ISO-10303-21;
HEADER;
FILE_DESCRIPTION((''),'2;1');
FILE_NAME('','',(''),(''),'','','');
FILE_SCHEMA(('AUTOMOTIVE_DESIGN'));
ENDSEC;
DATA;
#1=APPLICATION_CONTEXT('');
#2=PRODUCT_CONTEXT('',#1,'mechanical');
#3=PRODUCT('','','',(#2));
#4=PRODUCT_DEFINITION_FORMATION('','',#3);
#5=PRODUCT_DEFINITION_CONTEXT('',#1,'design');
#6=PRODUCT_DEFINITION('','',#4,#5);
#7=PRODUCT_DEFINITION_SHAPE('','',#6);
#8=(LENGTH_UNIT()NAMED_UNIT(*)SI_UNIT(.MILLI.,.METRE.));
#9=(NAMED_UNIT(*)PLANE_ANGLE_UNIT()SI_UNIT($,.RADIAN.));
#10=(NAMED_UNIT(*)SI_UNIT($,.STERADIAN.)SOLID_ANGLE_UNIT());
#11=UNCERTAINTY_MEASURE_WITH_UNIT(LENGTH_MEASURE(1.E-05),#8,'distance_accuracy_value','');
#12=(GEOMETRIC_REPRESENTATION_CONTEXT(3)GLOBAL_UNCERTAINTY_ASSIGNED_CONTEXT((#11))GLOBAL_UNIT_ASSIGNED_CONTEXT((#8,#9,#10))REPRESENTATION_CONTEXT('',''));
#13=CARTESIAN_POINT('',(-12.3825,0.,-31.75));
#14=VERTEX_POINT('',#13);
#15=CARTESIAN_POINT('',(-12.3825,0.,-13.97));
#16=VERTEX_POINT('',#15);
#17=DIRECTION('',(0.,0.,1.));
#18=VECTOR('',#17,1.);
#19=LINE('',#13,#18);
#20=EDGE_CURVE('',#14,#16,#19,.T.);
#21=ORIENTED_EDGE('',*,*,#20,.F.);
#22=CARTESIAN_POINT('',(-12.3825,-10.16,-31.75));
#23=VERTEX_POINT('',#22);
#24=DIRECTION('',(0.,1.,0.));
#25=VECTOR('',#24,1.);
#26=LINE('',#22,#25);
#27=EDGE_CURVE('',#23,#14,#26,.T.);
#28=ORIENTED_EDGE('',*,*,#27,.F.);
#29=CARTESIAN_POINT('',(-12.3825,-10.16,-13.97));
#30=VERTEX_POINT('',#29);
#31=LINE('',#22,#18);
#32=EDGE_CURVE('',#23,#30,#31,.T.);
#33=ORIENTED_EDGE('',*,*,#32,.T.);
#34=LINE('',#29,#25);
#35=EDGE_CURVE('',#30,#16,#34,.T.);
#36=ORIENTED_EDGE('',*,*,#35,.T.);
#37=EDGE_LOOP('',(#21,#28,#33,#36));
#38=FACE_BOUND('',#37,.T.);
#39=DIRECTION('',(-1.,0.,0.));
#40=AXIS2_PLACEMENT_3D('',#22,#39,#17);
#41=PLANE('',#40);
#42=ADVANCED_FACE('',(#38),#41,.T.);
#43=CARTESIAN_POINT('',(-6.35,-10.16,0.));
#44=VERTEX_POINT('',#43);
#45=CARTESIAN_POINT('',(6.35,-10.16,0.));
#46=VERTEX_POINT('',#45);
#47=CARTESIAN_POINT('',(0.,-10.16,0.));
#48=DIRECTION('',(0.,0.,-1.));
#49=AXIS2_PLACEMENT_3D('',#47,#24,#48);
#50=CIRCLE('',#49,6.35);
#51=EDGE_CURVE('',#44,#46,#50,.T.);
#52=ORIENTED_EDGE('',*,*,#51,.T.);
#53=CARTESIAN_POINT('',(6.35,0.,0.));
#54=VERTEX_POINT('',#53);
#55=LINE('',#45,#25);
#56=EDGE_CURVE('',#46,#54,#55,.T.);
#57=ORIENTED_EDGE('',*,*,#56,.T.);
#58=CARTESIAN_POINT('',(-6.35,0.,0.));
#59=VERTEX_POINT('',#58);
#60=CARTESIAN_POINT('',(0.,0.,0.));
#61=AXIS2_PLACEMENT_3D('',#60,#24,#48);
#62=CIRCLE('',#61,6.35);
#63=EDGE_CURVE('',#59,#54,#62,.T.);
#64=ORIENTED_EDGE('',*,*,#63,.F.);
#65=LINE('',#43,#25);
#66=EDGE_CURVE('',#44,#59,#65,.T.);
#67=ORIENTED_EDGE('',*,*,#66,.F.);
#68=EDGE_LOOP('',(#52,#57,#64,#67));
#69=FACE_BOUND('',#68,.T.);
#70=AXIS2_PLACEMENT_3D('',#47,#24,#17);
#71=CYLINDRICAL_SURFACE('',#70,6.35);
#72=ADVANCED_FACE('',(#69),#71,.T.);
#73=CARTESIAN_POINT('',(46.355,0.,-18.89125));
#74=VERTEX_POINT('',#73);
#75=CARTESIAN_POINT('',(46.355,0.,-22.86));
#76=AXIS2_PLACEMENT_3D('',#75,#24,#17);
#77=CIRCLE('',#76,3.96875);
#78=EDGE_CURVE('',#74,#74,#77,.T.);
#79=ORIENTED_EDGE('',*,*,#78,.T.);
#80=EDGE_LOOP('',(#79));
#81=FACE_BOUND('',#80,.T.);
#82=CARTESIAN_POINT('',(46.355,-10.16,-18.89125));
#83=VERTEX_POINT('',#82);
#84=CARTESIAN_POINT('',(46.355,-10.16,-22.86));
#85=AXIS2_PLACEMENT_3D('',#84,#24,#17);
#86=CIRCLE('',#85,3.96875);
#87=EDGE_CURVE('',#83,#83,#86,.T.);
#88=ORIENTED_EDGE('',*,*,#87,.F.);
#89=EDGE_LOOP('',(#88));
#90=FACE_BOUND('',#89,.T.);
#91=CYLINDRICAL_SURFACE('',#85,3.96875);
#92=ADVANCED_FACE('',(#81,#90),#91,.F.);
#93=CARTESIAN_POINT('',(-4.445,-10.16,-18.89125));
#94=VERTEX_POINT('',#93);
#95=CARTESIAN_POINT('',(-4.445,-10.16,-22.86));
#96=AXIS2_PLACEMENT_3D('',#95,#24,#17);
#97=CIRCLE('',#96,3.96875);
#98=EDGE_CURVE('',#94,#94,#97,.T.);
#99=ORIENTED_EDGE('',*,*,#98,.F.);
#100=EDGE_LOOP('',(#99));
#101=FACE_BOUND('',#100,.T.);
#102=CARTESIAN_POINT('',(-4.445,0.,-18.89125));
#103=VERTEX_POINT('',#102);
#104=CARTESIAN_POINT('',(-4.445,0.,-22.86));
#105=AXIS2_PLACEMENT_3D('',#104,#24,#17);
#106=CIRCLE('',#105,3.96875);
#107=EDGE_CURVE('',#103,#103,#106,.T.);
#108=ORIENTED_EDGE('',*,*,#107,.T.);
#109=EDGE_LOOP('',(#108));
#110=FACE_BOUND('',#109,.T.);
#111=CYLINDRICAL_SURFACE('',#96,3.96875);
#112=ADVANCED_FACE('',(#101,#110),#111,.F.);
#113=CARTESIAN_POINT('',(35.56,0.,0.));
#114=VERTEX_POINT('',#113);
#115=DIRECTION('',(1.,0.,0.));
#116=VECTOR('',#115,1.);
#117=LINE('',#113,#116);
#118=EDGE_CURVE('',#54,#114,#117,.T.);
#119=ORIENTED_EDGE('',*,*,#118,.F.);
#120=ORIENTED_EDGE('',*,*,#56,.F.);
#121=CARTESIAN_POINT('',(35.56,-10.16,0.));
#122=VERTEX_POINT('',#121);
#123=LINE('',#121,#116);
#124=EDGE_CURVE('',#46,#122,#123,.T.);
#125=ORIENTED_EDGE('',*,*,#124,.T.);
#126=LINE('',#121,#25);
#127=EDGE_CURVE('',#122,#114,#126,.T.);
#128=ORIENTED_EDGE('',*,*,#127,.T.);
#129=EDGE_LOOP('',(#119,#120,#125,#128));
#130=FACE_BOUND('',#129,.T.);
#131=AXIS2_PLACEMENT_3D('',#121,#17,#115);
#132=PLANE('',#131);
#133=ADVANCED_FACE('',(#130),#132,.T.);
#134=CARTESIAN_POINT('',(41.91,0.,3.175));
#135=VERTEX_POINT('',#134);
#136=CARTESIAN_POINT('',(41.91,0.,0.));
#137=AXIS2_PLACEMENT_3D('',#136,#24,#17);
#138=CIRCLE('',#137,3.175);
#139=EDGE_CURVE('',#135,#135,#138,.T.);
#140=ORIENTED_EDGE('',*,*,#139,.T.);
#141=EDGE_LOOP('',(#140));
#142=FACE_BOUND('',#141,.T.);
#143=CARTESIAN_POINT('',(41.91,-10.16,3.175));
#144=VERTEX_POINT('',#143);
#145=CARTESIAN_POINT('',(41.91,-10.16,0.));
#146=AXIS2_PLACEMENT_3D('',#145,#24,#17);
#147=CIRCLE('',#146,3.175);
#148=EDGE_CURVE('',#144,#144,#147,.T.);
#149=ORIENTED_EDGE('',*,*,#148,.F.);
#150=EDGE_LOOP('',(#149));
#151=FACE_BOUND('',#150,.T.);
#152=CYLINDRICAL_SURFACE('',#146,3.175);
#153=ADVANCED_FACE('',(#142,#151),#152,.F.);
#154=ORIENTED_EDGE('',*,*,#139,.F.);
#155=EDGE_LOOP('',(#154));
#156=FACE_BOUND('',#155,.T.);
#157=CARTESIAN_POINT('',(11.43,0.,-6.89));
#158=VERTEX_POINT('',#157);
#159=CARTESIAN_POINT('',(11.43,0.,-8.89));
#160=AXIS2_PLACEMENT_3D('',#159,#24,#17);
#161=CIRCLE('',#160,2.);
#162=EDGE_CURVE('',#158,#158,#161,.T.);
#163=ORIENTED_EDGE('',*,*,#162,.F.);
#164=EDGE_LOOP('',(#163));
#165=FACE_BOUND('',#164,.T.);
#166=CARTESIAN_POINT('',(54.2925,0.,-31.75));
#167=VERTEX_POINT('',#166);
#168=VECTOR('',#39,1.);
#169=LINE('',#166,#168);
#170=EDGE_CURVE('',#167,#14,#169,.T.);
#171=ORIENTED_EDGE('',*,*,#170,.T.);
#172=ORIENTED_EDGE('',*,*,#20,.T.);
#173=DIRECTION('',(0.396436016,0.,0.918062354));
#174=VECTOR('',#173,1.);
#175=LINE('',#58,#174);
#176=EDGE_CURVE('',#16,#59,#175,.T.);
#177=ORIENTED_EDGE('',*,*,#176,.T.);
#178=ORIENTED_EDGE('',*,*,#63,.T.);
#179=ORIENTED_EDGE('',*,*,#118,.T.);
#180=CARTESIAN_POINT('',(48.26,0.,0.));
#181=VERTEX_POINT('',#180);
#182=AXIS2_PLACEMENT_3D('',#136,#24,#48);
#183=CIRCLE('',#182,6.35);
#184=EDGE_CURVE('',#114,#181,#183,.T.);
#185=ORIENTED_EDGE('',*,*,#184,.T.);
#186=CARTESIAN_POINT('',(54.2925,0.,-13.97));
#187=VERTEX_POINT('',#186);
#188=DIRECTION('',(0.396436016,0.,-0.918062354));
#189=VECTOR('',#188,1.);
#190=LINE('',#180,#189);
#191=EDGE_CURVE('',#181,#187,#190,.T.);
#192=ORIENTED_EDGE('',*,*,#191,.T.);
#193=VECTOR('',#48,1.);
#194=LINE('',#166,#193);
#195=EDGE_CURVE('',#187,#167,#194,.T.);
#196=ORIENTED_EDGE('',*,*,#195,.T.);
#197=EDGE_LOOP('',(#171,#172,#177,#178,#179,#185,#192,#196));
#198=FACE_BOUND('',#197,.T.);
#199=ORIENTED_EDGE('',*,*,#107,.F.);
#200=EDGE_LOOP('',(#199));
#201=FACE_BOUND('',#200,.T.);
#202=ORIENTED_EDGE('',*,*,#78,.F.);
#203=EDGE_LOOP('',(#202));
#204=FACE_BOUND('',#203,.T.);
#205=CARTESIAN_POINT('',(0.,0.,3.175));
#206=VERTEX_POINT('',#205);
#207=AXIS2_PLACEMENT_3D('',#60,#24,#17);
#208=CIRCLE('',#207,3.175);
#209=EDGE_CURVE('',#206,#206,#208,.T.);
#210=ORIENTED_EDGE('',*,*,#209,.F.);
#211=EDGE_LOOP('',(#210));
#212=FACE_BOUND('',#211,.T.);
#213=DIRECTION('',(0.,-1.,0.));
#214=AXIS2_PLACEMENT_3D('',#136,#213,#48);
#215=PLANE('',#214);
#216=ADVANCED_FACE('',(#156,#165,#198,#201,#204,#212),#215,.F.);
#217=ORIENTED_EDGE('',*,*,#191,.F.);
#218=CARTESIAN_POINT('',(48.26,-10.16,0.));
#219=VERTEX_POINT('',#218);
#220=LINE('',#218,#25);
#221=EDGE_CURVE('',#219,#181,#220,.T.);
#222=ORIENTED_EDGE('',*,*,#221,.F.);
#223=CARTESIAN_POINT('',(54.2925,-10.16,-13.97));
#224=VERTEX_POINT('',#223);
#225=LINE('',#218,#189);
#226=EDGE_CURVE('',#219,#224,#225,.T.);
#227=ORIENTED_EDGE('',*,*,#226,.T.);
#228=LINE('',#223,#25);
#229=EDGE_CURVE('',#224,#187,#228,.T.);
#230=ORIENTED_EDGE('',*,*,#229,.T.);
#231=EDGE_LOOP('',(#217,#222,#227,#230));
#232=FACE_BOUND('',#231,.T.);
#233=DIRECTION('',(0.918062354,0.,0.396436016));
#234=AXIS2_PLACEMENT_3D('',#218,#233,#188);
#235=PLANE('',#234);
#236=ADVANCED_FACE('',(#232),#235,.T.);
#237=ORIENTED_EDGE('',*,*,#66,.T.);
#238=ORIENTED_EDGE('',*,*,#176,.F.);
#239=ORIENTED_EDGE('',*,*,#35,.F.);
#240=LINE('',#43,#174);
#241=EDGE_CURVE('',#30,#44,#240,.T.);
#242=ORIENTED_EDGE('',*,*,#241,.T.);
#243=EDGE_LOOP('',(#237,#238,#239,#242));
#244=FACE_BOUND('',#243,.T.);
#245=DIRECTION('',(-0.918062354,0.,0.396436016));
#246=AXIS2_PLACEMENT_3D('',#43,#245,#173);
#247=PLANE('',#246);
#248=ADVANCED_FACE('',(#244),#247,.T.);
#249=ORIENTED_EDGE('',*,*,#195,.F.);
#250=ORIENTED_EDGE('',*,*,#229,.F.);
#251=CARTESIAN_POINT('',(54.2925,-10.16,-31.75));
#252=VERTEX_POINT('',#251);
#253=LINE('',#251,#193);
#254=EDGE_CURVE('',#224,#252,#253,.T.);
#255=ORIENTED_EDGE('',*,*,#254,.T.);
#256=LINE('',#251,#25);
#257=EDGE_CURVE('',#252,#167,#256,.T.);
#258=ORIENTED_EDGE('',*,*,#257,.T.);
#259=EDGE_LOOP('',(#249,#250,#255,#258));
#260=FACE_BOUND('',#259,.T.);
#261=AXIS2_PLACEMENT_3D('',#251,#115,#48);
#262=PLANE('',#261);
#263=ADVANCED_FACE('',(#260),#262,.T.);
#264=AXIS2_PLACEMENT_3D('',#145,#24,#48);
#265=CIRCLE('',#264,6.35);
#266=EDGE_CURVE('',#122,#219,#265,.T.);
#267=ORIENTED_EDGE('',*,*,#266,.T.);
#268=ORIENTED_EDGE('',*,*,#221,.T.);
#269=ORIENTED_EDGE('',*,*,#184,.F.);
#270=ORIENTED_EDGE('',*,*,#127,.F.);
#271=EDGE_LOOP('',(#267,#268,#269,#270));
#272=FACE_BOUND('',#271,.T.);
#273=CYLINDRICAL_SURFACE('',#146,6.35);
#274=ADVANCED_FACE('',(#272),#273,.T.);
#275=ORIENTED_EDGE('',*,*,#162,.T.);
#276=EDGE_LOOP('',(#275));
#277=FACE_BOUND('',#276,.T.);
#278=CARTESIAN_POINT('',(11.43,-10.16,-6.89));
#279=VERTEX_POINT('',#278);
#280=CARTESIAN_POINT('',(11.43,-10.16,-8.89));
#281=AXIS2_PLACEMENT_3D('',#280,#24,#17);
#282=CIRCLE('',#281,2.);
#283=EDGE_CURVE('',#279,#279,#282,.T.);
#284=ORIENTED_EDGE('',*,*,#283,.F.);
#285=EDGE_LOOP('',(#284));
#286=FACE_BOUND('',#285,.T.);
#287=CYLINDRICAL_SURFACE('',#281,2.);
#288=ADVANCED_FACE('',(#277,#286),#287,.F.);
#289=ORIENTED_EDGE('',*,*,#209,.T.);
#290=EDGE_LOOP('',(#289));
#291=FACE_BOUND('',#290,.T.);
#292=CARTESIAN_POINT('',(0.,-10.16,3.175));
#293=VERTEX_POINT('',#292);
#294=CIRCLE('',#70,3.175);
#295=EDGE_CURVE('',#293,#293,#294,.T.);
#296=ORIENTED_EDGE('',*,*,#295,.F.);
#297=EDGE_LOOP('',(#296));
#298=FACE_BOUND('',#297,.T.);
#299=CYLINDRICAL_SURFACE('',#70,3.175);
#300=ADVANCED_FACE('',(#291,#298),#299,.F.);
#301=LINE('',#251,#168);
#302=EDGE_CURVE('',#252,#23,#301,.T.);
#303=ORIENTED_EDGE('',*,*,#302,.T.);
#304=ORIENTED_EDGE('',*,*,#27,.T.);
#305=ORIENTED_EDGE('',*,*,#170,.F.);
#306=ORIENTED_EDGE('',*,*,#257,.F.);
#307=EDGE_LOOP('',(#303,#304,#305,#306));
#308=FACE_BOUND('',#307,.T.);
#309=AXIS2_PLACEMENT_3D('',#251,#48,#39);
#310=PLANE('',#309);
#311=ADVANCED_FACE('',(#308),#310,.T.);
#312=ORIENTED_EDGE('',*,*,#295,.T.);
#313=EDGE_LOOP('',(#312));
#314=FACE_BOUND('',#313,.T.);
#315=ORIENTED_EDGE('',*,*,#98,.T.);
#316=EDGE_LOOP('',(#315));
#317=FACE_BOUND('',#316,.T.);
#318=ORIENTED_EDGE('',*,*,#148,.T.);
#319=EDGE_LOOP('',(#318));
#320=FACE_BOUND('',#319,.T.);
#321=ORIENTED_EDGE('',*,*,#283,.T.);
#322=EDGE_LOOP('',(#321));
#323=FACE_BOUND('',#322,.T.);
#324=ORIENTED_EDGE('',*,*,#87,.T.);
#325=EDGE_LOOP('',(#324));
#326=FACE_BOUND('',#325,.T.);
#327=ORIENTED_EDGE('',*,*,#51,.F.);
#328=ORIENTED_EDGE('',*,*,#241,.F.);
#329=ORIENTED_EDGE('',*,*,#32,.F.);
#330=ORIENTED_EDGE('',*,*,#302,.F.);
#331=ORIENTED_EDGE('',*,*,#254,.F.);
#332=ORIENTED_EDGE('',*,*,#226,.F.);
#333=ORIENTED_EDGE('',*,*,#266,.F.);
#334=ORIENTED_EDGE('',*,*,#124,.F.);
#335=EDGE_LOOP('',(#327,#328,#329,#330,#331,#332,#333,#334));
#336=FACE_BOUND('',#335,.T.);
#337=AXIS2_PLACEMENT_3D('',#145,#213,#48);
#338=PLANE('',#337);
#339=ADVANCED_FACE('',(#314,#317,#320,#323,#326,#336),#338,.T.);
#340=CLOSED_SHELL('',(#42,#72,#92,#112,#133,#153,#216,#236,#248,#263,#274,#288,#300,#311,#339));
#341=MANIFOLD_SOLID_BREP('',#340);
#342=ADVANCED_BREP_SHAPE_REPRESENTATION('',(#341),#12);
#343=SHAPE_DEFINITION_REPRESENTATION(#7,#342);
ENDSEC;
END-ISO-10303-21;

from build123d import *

# Parameters (mm, degrees)
SKETCH1_R           = 3.175
SKETCH1_R_2         = 3.96875
SKETCH1_R_3         = 2
BOSS_EXTRUDE1_DEPTH = 10.16


with BuildPart() as part:
    # Sketch1 → Boss-Extrude1 (new body)
    with BuildSketch(Plane(origin=(0, 0, 0), x_dir=(1, 0, 0), z_dir=(0, 1, 0))):
        with BuildLine():
            Line((54.2925, 31.75), (-12.3825, 31.75))
            Line((-12.3825, 31.75), (-12.3825, 13.97))
            Line((-12.3825, 13.97), (-6.35, 0))
            ThreePointArc((-6.35, 0), (0, -6.35), (6.35, 0))
            Line((6.35, 0), (35.56, 0))
            ThreePointArc((35.56, 0), (41.91, -6.35), (48.26, 0))
            Line((48.26, 0), (54.2925, 13.97))
            Line((54.2925, 13.97), (54.2925, 31.75))
        make_face()
        with Locations(Location((0, 0, 0), (0, 0, 270))):
            Circle(SKETCH1_R, mode=Mode.SUBTRACT)
        with Locations(Location((41.91, 0, 0), (0, 0, 270))):
            Circle(SKETCH1_R, mode=Mode.SUBTRACT)
        with Locations(Location((46.355, 22.86, 0), (0, 0, 270))):
            Circle(SKETCH1_R_2, mode=Mode.SUBTRACT)
        with Locations(Location((-4.445, 22.86, 0), (0, 0, 270))):
            Circle(SKETCH1_R_2, mode=Mode.SUBTRACT)
        with Locations(Location((11.43, 8.89, 0), (0, 0, 270))):
            Circle(SKETCH1_R_3, mode=Mode.SUBTRACT)
    extrude(amount=-BOSS_EXTRUDE1_DEPTH)


solid = part.part
